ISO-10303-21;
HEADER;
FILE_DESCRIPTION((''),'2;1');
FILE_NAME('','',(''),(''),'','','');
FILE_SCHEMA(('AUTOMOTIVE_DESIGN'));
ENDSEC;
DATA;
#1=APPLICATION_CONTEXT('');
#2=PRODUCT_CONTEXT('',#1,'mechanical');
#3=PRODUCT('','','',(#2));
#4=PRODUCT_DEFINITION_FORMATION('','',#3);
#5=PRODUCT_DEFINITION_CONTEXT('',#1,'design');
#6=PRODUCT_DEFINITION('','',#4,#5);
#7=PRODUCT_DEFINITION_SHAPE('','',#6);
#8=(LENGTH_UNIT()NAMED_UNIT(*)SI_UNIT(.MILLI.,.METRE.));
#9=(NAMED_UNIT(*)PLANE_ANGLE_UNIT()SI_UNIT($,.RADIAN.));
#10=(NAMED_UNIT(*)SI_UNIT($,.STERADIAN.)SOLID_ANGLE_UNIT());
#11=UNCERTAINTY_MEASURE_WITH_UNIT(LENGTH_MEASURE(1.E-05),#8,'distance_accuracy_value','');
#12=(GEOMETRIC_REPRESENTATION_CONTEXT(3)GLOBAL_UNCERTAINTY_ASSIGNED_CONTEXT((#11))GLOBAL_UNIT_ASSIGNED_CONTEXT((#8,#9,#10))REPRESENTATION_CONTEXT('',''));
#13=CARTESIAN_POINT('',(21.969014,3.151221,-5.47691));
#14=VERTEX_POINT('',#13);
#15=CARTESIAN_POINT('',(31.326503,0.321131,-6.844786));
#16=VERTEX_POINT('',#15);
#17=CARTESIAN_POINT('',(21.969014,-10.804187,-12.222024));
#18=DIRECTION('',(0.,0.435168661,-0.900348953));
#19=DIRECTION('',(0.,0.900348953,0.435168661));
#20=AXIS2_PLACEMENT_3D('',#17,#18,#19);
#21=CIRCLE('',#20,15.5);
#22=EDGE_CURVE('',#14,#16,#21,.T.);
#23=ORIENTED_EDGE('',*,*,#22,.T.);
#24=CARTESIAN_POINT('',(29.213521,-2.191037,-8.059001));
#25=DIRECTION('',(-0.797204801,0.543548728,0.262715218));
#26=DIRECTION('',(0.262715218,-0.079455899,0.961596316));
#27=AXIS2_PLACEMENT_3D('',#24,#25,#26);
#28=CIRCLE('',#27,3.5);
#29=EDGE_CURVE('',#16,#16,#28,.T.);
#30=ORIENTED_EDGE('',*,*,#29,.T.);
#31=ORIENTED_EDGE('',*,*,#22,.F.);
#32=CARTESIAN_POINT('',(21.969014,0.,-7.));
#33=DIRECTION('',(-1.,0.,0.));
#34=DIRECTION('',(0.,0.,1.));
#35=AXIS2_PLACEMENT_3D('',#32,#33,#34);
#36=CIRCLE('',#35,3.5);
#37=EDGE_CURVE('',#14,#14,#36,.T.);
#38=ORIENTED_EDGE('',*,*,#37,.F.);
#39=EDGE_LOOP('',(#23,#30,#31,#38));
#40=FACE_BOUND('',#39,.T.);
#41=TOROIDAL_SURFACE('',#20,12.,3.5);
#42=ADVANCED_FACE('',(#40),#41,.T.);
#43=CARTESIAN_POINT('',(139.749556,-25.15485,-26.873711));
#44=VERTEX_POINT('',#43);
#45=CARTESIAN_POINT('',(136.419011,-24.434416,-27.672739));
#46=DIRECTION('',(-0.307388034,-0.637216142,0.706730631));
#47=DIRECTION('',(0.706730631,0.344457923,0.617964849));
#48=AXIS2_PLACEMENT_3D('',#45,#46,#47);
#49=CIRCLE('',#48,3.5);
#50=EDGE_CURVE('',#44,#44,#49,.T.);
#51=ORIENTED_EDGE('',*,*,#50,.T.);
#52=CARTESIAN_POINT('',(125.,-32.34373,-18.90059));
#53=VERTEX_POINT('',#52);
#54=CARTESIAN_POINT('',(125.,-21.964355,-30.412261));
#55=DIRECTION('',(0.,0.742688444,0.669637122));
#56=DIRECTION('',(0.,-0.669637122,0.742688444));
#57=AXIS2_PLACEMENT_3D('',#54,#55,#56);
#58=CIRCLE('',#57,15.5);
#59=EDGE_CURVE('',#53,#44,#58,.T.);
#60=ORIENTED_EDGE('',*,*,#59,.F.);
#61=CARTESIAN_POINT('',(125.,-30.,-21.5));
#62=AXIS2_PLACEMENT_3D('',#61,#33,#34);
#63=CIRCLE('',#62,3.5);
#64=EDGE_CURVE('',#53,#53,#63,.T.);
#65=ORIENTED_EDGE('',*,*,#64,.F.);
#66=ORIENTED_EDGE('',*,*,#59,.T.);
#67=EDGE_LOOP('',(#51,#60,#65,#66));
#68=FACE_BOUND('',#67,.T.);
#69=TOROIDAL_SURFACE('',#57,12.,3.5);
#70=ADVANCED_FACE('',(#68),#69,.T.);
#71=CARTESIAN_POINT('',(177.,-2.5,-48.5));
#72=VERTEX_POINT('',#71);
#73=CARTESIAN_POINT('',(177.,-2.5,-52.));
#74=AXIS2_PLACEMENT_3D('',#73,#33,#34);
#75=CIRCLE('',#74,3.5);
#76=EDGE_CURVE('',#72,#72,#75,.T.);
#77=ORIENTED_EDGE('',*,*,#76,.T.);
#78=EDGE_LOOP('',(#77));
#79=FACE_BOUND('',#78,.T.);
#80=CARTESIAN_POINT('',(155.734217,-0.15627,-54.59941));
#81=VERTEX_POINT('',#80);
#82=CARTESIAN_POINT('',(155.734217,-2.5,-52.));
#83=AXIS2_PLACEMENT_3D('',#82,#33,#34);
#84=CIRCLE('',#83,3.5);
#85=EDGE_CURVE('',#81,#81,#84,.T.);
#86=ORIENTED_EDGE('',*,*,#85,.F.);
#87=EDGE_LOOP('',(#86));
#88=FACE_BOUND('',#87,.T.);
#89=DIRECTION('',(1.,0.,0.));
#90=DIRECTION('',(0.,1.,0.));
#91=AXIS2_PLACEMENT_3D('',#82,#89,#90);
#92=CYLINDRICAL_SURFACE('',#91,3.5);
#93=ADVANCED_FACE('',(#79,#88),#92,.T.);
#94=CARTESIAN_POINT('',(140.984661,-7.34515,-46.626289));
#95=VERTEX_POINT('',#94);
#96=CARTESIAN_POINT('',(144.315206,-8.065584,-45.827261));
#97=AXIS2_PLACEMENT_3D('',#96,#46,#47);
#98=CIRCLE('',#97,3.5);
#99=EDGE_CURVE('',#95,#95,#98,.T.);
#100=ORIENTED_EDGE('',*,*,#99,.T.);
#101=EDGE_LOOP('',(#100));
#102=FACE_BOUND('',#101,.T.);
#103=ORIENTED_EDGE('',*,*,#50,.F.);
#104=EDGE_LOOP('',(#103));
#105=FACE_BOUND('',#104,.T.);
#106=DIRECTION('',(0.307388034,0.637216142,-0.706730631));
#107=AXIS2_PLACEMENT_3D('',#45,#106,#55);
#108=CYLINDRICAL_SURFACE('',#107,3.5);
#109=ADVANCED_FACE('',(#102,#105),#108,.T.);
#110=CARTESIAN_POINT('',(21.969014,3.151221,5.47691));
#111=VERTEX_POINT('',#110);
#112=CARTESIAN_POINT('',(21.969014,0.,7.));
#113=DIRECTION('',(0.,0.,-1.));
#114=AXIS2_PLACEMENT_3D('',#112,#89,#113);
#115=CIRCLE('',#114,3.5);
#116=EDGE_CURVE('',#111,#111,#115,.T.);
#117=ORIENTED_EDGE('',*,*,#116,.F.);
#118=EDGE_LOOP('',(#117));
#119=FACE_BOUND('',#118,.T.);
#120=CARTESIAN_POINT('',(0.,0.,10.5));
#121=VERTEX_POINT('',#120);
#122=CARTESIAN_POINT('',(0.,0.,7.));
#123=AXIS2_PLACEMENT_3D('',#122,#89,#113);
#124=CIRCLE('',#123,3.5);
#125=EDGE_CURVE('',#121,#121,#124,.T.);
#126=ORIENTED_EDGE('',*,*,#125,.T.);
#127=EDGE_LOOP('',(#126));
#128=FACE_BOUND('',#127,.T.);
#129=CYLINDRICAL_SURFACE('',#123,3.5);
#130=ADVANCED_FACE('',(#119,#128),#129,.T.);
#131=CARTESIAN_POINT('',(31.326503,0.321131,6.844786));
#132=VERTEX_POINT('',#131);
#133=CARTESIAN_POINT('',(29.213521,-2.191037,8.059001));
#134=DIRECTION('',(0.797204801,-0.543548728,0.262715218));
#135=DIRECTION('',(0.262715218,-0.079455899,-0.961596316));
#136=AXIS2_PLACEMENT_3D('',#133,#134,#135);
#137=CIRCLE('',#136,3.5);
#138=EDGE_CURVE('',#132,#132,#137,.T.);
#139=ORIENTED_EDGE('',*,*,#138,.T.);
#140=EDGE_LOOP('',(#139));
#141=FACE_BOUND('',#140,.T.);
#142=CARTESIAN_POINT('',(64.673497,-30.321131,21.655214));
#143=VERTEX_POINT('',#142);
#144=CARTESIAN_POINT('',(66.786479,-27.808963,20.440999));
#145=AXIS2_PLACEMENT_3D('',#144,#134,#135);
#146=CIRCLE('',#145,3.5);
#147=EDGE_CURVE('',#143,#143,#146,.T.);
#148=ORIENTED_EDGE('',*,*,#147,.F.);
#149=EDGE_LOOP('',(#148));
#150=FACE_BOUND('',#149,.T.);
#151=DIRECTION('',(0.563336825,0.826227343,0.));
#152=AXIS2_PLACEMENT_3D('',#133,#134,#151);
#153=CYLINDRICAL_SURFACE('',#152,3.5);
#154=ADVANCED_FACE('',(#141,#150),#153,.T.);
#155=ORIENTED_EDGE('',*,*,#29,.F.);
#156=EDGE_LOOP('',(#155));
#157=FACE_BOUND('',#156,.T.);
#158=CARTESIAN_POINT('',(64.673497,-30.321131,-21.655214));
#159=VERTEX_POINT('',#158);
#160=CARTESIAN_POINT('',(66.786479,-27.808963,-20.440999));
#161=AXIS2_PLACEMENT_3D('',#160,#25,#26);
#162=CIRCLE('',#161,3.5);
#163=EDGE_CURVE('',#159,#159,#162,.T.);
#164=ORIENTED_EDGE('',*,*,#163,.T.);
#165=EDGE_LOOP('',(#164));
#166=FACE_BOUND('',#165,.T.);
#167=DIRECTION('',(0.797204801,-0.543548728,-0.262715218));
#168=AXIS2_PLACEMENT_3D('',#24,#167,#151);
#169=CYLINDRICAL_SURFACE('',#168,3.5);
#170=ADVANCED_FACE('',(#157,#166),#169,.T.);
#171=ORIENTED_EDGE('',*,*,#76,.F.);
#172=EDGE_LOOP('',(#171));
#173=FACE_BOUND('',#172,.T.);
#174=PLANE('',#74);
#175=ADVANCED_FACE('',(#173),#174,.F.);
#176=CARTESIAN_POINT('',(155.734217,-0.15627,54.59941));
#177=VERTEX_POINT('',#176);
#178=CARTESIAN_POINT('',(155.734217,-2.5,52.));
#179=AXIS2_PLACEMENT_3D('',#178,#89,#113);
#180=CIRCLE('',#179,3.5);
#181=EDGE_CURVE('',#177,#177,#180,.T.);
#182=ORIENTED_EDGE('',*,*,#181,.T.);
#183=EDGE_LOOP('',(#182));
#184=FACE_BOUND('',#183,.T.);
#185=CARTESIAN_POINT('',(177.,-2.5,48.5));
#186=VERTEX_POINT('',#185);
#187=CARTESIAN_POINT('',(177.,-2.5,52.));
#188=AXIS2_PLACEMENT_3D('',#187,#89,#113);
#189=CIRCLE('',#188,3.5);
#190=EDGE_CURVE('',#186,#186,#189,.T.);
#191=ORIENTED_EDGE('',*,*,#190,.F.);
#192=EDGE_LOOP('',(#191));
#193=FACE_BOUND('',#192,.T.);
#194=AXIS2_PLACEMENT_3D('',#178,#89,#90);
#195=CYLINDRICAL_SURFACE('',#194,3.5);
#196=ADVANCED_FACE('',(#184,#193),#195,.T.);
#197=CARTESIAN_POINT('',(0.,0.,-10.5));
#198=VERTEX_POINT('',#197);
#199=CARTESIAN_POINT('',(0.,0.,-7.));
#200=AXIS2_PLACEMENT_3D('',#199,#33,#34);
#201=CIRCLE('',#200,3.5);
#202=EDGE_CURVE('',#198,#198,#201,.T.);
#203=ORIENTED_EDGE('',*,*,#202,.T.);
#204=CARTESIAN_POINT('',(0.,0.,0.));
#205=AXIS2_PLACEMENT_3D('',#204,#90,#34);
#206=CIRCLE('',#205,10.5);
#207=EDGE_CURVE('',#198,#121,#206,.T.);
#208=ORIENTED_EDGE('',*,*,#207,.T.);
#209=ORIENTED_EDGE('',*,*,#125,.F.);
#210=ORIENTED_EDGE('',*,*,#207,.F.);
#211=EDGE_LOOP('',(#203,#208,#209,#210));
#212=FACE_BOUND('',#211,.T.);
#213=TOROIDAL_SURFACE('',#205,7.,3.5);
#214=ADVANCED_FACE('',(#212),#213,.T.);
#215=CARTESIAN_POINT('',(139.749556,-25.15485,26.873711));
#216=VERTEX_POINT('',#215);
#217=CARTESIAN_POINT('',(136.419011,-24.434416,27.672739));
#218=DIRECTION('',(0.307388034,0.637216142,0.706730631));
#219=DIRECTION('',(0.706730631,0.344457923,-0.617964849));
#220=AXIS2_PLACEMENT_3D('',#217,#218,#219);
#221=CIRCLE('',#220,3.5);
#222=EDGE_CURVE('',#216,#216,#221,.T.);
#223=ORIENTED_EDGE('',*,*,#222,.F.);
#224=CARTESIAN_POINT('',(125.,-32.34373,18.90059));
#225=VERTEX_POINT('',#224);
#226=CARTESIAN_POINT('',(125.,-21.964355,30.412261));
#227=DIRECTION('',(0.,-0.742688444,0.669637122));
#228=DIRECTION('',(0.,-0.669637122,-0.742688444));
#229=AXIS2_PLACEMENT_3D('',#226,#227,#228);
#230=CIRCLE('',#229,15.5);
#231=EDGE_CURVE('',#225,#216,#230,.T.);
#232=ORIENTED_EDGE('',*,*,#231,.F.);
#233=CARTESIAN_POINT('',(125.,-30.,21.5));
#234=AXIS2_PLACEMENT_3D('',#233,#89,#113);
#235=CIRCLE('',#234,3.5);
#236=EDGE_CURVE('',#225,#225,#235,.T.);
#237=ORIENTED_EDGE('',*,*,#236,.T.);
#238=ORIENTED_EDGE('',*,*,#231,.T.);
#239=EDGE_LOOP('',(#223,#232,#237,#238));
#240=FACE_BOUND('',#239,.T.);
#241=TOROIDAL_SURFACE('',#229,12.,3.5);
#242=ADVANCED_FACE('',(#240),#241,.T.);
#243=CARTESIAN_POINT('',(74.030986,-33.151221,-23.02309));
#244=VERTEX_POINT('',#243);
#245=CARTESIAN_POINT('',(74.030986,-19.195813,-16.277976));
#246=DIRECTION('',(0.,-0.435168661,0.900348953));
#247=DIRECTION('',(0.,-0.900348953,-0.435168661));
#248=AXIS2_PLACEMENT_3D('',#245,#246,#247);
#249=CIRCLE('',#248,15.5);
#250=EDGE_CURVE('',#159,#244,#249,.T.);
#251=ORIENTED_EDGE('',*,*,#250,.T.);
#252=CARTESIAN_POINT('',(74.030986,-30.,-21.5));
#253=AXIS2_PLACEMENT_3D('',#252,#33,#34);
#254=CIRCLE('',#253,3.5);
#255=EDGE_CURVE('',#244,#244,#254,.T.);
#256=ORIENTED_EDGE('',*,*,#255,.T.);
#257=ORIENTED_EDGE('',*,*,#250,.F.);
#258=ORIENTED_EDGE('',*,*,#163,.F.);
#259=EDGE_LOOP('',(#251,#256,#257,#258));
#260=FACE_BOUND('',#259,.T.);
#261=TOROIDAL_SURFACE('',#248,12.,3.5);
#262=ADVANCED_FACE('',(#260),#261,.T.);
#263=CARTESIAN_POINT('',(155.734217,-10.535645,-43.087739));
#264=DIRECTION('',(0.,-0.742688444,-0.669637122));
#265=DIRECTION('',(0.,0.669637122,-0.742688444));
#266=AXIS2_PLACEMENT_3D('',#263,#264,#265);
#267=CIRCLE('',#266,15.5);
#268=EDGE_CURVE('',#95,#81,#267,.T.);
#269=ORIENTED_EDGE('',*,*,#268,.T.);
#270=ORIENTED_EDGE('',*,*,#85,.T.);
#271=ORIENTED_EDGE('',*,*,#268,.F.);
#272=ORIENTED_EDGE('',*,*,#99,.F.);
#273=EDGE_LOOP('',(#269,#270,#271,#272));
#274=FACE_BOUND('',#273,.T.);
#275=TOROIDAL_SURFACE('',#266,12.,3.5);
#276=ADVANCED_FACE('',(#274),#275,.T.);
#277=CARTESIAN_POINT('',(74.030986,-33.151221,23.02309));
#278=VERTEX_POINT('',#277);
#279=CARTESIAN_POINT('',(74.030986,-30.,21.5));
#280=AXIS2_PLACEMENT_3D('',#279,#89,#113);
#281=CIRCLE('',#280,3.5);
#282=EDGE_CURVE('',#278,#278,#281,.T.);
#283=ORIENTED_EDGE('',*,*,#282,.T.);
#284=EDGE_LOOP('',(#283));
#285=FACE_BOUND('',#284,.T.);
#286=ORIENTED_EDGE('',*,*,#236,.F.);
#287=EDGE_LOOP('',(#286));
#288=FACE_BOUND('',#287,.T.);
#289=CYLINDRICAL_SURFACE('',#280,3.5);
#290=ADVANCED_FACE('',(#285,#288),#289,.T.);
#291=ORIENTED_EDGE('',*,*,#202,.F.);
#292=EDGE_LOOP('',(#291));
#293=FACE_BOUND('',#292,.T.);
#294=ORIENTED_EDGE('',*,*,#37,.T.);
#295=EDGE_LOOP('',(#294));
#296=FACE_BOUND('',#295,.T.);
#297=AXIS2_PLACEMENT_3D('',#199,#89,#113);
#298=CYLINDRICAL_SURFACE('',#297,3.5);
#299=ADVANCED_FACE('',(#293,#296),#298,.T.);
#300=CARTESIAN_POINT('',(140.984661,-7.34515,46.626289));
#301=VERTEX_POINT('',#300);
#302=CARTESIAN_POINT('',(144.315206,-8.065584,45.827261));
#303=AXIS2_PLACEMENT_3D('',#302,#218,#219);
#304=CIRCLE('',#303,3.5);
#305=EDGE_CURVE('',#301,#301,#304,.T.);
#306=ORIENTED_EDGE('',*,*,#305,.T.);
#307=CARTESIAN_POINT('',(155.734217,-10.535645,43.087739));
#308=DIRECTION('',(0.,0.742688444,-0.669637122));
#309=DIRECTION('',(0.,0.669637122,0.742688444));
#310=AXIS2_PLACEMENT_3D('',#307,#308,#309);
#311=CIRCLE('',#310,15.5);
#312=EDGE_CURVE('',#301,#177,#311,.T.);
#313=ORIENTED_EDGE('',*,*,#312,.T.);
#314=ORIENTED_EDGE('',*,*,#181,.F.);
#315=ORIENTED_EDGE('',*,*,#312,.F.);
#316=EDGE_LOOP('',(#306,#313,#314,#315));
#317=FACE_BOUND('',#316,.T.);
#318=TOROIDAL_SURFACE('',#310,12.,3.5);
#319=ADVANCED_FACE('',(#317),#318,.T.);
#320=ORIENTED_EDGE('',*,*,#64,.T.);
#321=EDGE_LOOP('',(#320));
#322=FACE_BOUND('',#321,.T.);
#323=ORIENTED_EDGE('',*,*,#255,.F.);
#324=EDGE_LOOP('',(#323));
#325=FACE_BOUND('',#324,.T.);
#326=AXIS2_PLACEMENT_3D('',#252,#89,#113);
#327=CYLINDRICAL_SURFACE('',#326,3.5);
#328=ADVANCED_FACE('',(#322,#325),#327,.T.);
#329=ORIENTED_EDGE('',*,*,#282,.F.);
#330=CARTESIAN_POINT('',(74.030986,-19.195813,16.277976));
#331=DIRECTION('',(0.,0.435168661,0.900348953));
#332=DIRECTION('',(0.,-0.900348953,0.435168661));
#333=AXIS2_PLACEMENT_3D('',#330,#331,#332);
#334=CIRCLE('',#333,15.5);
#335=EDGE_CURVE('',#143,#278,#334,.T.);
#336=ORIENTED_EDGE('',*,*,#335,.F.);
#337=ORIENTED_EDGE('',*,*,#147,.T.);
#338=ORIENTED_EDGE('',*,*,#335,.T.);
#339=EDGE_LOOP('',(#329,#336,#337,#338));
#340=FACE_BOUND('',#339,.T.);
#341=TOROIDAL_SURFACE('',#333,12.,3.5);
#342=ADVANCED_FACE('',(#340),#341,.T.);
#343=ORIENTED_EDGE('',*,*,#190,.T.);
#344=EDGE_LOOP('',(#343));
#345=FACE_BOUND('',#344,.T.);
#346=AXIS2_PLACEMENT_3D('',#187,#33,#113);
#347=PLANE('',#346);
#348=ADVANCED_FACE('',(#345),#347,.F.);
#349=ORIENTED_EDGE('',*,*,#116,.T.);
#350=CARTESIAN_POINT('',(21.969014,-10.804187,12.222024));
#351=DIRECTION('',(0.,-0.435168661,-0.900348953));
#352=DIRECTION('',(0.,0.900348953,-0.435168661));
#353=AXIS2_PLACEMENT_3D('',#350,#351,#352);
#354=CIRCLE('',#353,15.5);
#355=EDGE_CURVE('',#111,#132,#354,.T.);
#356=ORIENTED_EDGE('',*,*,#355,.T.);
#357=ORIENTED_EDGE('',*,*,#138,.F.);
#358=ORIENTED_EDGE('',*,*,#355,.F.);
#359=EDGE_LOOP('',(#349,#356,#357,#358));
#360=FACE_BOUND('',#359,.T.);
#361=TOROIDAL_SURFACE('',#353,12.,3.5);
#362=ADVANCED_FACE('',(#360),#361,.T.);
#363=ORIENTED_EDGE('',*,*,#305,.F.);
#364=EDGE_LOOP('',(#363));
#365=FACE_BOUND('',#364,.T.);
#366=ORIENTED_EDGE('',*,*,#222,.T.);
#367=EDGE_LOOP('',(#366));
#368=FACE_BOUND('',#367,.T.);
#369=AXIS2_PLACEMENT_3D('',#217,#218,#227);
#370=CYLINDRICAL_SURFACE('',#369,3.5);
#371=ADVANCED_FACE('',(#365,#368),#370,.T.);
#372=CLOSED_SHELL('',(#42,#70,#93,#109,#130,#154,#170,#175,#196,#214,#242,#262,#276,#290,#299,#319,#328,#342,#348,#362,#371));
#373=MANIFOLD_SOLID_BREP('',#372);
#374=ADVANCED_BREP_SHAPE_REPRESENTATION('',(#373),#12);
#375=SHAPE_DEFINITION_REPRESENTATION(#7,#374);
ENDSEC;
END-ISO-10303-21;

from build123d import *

# Parameters (mm, degrees)
ESQUISSE4_R = 3.5


with BuildPart() as part:
    # Balayage7: sweep along a curve in space
    with BuildLine() as balayage7_path:
        Line((177, -2.5, -52), (155.734217216, -2.5, -52))
        ThreePointArc((155.734217216, -2.5, -52), (148.672485024, -4.038717936, -50.293421925), (144.315206142, -8.065584202, -45.827261158))
        Line((144.315206142, -8.065584202, -45.827261158), (136.419011074, -24.434415798, -27.672738842))
        ThreePointArc((136.419011074, -24.434415798, -27.672738842), (132.061732193, -28.461282064, -23.206578075), (125, -30, -21.5))
        Line((125, -30, -21.5), (74.030986056, -30, -21.5))
        ThreePointArc((74.030986056, -30, -21.5), (70.209827287, -29.437603281, -21.228174919), (66.786478564, -27.808962657, -20.440998618))
        Line((66.786478564, -27.808962657, -20.440998618), (29.213521436, -2.191037343, -8.059001382))
        ThreePointArc((29.213521436, -2.191037343, -8.059001382), (25.790172713, -0.562396719, -7.271825081), (21.969013944, 0, -7))
        Line((21.969013944, 0, -7), (0, 0, -7))
        ThreePointArc((0, 0, -7), (-4.949747468, 0, -4.949747468), (-7, 0, 0))
    # Esquisse4 → Balayage7 (sweep)
    with BuildSketch(Plane.XY):
        with Locations((-7, 0)):
            Circle(ESQUISSE4_R)
    balayage7 = sweep(path=balayage7_path.line)

    # Sym_trie5: Balayage7 across plane
    add(balayage7.mirror(Plane.XY))


solid = part.part
